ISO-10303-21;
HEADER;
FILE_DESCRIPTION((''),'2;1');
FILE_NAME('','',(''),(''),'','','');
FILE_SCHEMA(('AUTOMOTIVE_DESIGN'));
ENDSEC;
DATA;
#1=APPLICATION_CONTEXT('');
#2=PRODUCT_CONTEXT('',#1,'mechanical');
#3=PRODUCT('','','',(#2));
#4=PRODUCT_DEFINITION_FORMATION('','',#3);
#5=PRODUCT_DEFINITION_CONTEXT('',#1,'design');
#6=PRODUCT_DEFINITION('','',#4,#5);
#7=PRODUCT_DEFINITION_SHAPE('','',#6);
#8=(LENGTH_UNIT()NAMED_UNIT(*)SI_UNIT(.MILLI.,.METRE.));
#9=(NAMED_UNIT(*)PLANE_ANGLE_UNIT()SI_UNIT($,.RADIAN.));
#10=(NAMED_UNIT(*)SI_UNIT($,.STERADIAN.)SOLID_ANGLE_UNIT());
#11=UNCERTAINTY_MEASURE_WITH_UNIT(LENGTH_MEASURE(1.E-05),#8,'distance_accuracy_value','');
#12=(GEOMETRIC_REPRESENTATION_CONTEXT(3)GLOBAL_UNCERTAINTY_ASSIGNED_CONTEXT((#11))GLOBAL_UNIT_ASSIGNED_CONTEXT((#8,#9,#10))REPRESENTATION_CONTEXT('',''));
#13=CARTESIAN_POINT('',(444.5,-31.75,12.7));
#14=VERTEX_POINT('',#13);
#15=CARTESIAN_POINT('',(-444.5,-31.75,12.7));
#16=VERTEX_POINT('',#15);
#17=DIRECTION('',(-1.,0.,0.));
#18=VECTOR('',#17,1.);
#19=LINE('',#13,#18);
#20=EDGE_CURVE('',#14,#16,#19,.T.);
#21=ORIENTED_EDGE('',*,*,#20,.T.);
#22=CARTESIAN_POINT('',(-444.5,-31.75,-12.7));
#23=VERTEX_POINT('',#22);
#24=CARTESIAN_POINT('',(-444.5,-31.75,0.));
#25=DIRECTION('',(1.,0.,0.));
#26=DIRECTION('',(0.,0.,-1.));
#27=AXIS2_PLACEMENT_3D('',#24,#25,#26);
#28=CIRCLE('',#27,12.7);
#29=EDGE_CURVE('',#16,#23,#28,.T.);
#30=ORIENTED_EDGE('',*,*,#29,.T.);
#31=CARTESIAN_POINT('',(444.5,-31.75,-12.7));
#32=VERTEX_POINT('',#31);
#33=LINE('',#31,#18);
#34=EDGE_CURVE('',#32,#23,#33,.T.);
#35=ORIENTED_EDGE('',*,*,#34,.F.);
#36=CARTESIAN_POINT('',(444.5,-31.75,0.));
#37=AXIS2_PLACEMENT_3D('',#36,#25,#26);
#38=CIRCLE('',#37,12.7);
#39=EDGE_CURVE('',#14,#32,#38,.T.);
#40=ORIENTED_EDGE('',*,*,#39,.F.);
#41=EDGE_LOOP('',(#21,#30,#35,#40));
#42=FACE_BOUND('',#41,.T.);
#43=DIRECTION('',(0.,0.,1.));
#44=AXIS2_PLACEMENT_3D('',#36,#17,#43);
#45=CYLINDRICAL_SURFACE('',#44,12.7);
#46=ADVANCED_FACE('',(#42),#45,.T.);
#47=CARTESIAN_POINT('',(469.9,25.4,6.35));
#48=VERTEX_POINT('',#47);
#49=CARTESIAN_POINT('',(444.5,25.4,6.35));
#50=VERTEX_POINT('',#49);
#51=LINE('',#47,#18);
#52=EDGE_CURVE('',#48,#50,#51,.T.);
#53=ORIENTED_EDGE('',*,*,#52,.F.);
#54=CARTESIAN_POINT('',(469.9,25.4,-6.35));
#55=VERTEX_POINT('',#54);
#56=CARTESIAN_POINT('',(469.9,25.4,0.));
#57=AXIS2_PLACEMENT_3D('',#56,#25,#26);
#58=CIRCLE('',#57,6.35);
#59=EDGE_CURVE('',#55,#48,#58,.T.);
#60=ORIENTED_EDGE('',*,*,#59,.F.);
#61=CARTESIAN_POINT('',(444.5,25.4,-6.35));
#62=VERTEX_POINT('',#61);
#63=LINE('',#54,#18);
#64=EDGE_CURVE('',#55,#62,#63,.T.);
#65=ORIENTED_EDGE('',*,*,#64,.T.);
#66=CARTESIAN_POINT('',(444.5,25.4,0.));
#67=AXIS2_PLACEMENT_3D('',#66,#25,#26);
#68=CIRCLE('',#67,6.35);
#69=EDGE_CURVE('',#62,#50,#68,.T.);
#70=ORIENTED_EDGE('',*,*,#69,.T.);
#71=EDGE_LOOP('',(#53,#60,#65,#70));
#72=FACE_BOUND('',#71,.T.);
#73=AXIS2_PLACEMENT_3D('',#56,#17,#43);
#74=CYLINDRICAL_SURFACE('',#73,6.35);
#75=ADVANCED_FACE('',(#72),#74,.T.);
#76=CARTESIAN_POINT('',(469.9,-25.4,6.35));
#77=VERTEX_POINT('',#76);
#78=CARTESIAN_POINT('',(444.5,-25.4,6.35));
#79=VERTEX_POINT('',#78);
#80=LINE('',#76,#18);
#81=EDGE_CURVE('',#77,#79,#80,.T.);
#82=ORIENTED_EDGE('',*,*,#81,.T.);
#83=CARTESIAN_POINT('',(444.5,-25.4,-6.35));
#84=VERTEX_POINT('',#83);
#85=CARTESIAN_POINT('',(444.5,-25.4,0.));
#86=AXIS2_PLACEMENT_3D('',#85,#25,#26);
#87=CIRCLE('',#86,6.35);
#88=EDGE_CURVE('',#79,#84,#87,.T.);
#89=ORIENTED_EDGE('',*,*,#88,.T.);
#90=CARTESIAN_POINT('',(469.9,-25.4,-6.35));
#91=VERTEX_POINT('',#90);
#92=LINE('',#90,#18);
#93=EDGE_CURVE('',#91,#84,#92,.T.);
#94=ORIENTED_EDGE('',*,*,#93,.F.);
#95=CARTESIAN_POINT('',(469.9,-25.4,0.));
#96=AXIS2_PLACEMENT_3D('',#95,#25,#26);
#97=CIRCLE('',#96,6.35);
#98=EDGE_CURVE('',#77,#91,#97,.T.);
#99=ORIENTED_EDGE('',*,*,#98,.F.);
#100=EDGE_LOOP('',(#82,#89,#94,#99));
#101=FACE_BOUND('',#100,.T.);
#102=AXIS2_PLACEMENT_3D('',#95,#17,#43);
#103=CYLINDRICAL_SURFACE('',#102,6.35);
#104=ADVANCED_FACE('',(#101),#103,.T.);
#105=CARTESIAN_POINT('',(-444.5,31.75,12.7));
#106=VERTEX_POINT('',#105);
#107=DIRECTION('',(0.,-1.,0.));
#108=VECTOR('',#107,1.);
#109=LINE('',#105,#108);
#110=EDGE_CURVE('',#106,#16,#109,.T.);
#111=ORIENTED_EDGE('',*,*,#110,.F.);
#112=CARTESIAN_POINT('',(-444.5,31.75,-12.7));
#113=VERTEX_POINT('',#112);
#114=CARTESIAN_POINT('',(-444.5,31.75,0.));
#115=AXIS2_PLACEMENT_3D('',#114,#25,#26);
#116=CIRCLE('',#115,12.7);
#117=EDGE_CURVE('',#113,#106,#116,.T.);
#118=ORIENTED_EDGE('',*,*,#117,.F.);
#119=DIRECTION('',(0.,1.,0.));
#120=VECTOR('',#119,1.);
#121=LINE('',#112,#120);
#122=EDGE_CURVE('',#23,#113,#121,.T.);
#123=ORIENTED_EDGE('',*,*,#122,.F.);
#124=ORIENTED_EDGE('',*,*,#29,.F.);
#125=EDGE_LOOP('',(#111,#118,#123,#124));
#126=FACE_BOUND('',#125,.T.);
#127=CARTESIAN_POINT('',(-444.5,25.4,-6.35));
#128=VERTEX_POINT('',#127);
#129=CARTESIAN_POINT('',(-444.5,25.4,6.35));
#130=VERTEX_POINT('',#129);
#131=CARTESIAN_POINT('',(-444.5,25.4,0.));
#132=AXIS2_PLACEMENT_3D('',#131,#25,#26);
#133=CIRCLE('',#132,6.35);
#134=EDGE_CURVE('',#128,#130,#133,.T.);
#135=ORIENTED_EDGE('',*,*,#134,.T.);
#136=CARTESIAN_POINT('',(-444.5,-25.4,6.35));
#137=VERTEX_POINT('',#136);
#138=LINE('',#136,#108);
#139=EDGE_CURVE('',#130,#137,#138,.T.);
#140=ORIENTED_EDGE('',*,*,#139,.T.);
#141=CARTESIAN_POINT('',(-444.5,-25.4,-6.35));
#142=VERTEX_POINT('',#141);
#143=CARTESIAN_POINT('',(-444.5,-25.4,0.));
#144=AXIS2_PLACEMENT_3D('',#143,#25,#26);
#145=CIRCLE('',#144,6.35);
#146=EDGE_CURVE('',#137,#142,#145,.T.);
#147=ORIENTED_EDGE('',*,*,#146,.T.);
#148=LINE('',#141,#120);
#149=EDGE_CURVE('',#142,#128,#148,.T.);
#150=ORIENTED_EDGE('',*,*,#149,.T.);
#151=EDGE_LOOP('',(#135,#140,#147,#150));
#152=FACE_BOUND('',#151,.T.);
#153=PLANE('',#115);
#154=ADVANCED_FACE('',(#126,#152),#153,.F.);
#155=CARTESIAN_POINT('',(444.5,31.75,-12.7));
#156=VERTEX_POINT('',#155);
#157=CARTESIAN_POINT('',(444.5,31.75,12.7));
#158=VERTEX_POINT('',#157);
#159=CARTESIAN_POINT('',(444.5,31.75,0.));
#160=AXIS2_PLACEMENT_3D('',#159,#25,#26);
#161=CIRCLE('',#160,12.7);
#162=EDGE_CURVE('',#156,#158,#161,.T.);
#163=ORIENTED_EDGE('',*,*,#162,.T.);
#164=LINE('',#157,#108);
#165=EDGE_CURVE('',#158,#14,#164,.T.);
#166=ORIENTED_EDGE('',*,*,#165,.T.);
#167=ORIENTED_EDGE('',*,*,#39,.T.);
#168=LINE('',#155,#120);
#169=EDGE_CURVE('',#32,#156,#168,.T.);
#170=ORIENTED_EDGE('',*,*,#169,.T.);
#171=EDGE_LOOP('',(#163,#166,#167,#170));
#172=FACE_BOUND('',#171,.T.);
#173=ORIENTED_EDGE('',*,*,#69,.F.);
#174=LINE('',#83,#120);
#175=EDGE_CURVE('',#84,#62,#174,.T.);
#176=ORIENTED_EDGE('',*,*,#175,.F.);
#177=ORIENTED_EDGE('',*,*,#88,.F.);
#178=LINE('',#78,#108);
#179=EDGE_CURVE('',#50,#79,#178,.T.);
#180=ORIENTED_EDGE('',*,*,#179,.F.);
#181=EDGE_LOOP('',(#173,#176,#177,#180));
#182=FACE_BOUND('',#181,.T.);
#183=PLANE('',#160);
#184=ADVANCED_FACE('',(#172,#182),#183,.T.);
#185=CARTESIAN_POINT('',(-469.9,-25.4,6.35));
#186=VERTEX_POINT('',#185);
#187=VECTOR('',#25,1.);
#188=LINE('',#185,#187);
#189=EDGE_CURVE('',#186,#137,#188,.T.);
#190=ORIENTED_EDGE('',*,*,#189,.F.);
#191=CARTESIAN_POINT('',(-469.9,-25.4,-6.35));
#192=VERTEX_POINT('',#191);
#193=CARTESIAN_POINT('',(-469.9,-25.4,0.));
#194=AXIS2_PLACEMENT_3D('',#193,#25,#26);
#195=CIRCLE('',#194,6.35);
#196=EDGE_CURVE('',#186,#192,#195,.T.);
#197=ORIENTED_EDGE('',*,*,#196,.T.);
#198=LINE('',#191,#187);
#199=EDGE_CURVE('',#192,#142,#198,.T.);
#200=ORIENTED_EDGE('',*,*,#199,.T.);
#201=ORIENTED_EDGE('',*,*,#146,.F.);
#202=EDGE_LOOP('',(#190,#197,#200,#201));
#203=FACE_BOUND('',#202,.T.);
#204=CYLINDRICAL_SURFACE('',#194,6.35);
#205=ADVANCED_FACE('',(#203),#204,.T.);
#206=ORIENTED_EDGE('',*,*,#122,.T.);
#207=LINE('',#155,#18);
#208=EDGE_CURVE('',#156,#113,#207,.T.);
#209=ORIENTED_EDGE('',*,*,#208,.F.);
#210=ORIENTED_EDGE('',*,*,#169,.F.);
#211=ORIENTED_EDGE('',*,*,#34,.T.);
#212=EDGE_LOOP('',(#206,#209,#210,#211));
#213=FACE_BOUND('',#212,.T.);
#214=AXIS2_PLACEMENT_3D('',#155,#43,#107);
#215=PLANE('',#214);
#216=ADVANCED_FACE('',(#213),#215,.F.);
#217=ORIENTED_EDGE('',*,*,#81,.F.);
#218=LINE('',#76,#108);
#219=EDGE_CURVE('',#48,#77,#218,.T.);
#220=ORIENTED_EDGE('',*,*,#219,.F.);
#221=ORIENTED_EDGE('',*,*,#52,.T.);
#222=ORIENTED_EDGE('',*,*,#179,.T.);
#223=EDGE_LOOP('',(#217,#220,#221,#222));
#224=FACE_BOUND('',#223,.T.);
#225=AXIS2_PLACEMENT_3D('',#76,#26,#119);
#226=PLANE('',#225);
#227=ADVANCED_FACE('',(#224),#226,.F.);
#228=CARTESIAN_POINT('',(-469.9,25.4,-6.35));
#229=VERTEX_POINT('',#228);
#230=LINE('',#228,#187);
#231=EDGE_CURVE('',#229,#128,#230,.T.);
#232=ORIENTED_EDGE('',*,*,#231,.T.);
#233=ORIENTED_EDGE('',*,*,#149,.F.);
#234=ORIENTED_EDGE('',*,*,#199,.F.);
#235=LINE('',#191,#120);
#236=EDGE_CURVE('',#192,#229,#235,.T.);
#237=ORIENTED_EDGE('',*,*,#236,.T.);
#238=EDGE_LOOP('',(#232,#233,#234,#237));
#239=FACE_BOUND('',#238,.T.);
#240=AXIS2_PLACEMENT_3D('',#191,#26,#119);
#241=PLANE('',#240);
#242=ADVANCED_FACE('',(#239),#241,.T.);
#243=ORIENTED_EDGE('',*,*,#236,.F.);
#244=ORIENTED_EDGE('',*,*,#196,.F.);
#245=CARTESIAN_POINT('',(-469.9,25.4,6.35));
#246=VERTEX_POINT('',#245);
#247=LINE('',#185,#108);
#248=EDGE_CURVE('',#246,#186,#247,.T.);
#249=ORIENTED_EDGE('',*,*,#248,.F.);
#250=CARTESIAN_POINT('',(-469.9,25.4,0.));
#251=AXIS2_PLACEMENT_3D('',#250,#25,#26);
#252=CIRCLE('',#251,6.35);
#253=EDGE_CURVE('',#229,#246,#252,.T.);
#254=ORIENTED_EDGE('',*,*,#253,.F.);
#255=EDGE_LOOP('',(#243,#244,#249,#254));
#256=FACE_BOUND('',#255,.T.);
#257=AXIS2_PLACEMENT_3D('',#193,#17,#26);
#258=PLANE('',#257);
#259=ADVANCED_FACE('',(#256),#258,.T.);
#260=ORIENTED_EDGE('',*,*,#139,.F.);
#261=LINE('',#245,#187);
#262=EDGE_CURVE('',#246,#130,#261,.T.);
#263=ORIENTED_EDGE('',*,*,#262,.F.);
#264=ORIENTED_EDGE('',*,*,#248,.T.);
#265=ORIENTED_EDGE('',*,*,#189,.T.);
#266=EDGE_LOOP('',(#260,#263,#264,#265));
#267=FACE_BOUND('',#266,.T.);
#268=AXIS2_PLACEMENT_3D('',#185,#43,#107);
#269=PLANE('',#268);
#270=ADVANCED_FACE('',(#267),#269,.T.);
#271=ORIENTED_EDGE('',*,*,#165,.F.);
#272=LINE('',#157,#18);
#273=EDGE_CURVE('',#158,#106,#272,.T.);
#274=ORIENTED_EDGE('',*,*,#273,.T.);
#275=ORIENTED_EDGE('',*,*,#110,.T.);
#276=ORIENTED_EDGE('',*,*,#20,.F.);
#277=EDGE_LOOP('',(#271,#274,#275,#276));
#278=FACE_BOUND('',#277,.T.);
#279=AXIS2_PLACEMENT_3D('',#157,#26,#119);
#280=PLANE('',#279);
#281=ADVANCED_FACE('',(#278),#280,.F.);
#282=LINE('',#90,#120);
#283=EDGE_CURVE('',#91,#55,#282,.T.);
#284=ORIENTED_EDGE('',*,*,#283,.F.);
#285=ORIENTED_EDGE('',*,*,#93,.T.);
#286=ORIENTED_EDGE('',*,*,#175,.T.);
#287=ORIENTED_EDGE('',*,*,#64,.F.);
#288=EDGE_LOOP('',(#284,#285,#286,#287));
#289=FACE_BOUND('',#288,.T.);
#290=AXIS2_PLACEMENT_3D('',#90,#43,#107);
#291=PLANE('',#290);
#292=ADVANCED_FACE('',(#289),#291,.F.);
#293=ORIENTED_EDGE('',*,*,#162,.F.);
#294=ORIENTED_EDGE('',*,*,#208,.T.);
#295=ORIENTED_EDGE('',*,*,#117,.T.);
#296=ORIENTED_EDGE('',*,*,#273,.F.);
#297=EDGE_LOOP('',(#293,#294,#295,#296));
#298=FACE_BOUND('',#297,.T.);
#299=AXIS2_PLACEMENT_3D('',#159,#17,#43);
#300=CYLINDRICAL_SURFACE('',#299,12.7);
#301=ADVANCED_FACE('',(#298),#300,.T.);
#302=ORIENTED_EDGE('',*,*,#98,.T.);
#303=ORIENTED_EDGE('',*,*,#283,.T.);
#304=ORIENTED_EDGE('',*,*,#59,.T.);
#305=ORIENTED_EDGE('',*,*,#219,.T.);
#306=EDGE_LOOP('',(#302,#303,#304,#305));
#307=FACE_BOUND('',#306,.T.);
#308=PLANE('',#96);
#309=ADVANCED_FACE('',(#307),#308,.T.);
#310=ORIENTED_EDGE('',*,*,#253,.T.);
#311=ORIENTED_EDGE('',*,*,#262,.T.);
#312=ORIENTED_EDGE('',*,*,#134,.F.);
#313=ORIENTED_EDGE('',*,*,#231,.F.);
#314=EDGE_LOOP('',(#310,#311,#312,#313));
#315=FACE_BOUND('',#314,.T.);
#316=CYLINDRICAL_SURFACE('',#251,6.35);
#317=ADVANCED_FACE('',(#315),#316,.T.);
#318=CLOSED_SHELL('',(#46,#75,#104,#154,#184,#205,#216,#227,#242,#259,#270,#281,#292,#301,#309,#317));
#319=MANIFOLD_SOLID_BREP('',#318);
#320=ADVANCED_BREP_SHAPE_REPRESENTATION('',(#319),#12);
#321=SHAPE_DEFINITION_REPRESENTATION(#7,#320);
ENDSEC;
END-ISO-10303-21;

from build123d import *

# Parameters (mm, degrees)
BOSS_EXTRUDE1_DEPTH = 444.5
BOSS_EXTRUDE2_DEPTH = 25.4


with BuildPart() as part:
    # Sketch1 → Boss-Extrude1 (new, symmetric)
    with BuildSketch(Plane(origin=(0, 0, 0), x_dir=(0, 0, -1), z_dir=(1, 0, 0))):
        with BuildLine():
            Line((12.7, 31.75), (12.7, -31.75))
            ThreePointArc((12.7, -31.75), (0, -44.45), (-12.7, -31.75))
            Line((-12.7, -31.75), (-12.7, 31.75))
            ThreePointArc((-12.7, 31.75), (0, 44.45), (12.7, 31.75))
        make_face()
    extrude(amount=BOSS_EXTRUDE1_DEPTH, both=True)

    # Sketch2 → Boss-Extrude2 (add)
    with BuildSketch(Plane(origin=(444.5, 0, 0), x_dir=(0, 0, -1), z_dir=(1, 0, 0))):
        with BuildLine():
            Line((-6.35, -25.4), (-6.35, 25.4))
            ThreePointArc((-6.35, 25.4), (0, 31.75), (6.35, 25.4))
            Line((6.35, 25.4), (6.35, -25.4))
            ThreePointArc((6.35, -25.4), (0, -31.75), (-6.35, -25.4))
        make_face()
    boss_extrude2 = extrude(amount=BOSS_EXTRUDE2_DEPTH)

    # Mirror1: Boss-Extrude2 across plane
    add(boss_extrude2.mirror(Plane(origin=(0, 0, 0), x_dir=(0, 0, 1), z_dir=(1, 0, 0))))


solid = part.part
